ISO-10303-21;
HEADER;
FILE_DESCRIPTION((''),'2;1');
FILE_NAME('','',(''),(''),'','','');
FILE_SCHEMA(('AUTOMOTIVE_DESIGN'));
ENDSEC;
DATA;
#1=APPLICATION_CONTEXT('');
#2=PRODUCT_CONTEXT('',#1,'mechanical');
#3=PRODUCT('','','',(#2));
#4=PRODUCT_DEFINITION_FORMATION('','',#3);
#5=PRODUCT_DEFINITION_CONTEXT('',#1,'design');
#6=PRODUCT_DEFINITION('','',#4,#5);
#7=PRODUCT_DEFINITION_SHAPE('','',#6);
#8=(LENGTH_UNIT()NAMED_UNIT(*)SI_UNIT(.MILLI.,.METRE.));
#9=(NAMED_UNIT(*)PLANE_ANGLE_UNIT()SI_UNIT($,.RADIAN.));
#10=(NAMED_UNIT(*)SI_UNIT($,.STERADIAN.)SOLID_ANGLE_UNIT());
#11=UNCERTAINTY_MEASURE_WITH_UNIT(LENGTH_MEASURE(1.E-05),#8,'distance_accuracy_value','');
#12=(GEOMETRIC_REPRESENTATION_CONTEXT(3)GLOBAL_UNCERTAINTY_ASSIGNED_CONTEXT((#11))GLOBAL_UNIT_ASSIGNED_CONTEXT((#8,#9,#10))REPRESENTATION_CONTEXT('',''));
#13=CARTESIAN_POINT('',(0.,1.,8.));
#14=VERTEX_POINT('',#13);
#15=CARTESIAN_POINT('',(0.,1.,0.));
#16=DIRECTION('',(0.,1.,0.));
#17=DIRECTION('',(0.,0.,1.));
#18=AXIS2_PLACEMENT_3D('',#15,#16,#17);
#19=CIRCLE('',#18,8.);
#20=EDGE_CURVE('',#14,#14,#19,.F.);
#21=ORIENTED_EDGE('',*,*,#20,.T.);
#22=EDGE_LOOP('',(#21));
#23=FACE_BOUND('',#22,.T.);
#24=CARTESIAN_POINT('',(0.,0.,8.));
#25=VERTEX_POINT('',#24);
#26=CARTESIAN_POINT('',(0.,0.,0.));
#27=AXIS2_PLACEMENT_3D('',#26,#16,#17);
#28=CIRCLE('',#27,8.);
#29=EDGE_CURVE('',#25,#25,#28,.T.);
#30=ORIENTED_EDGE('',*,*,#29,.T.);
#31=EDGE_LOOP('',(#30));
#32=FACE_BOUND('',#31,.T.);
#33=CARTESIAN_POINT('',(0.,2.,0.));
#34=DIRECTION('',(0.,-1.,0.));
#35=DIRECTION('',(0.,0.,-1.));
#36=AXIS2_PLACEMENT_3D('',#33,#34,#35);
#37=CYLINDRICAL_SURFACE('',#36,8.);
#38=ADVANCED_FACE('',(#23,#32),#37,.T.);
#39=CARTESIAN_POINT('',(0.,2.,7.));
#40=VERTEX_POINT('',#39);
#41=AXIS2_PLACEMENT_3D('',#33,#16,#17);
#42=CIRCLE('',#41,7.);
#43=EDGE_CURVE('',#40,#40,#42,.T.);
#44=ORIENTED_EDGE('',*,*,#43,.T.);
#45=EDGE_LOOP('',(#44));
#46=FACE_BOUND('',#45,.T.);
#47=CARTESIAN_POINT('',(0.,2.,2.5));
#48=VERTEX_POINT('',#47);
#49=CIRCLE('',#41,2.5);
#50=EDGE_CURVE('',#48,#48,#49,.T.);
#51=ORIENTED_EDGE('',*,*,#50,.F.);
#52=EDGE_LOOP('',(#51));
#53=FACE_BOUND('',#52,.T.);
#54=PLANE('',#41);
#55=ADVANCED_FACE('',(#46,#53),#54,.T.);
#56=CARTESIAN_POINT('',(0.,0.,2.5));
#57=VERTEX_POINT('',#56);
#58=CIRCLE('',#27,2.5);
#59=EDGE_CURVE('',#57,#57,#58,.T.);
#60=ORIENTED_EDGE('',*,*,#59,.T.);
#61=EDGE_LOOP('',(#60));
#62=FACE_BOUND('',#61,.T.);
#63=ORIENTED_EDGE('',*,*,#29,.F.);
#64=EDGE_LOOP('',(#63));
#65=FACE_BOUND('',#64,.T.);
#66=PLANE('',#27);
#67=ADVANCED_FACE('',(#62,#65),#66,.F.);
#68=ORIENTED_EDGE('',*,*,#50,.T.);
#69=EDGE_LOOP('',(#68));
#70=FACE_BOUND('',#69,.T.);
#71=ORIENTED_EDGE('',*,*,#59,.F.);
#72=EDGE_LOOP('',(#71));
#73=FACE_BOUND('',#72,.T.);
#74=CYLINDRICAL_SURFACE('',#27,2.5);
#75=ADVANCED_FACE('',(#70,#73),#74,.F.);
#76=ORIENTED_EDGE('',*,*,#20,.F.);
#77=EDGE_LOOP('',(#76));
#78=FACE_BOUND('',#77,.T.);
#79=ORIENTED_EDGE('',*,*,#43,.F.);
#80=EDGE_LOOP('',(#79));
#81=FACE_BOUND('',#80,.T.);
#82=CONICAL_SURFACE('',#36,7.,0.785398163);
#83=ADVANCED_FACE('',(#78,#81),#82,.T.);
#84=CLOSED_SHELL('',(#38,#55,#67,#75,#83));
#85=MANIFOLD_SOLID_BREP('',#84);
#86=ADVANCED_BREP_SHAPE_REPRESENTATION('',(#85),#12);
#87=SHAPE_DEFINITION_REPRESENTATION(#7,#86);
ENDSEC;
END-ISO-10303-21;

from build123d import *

# Parameters (mm, degrees)
SKETCH1_R           = 8
BOSS_EXTRUDE1_DEPTH = 2
CHAMFER1_SIZE       = 1
SKETCH2_R           = 2.5
CUT_EXTRUDE1_DEPTH  = 2


with BuildPart() as part:
    # Sketch1 → Boss-Extrude1 (new body)
    with BuildSketch(Plane(origin=(0, 0, 0), x_dir=(1, 0, 0), z_dir=(0, 1, 0))):
        Circle(SKETCH1_R)
    extrude(amount=BOSS_EXTRUDE1_DEPTH)

    # Chamfer1
    chamfer1_edges = [part.edges().sort_by_distance(p)[0] for p in [
        (-8, 2, 0),
    ]]
    chamfer(chamfer1_edges, length=CHAMFER1_SIZE)

    # Sketch2 → Cut-Extrude1 (cut)
    with BuildSketch(Plane(origin=(0, 2, 0), x_dir=(1, 0, 0), z_dir=(0, 1, 0))):
        Circle(SKETCH2_R)
    extrude(amount=-CUT_EXTRUDE1_DEPTH, mode=Mode.SUBTRACT)


solid = part.part
